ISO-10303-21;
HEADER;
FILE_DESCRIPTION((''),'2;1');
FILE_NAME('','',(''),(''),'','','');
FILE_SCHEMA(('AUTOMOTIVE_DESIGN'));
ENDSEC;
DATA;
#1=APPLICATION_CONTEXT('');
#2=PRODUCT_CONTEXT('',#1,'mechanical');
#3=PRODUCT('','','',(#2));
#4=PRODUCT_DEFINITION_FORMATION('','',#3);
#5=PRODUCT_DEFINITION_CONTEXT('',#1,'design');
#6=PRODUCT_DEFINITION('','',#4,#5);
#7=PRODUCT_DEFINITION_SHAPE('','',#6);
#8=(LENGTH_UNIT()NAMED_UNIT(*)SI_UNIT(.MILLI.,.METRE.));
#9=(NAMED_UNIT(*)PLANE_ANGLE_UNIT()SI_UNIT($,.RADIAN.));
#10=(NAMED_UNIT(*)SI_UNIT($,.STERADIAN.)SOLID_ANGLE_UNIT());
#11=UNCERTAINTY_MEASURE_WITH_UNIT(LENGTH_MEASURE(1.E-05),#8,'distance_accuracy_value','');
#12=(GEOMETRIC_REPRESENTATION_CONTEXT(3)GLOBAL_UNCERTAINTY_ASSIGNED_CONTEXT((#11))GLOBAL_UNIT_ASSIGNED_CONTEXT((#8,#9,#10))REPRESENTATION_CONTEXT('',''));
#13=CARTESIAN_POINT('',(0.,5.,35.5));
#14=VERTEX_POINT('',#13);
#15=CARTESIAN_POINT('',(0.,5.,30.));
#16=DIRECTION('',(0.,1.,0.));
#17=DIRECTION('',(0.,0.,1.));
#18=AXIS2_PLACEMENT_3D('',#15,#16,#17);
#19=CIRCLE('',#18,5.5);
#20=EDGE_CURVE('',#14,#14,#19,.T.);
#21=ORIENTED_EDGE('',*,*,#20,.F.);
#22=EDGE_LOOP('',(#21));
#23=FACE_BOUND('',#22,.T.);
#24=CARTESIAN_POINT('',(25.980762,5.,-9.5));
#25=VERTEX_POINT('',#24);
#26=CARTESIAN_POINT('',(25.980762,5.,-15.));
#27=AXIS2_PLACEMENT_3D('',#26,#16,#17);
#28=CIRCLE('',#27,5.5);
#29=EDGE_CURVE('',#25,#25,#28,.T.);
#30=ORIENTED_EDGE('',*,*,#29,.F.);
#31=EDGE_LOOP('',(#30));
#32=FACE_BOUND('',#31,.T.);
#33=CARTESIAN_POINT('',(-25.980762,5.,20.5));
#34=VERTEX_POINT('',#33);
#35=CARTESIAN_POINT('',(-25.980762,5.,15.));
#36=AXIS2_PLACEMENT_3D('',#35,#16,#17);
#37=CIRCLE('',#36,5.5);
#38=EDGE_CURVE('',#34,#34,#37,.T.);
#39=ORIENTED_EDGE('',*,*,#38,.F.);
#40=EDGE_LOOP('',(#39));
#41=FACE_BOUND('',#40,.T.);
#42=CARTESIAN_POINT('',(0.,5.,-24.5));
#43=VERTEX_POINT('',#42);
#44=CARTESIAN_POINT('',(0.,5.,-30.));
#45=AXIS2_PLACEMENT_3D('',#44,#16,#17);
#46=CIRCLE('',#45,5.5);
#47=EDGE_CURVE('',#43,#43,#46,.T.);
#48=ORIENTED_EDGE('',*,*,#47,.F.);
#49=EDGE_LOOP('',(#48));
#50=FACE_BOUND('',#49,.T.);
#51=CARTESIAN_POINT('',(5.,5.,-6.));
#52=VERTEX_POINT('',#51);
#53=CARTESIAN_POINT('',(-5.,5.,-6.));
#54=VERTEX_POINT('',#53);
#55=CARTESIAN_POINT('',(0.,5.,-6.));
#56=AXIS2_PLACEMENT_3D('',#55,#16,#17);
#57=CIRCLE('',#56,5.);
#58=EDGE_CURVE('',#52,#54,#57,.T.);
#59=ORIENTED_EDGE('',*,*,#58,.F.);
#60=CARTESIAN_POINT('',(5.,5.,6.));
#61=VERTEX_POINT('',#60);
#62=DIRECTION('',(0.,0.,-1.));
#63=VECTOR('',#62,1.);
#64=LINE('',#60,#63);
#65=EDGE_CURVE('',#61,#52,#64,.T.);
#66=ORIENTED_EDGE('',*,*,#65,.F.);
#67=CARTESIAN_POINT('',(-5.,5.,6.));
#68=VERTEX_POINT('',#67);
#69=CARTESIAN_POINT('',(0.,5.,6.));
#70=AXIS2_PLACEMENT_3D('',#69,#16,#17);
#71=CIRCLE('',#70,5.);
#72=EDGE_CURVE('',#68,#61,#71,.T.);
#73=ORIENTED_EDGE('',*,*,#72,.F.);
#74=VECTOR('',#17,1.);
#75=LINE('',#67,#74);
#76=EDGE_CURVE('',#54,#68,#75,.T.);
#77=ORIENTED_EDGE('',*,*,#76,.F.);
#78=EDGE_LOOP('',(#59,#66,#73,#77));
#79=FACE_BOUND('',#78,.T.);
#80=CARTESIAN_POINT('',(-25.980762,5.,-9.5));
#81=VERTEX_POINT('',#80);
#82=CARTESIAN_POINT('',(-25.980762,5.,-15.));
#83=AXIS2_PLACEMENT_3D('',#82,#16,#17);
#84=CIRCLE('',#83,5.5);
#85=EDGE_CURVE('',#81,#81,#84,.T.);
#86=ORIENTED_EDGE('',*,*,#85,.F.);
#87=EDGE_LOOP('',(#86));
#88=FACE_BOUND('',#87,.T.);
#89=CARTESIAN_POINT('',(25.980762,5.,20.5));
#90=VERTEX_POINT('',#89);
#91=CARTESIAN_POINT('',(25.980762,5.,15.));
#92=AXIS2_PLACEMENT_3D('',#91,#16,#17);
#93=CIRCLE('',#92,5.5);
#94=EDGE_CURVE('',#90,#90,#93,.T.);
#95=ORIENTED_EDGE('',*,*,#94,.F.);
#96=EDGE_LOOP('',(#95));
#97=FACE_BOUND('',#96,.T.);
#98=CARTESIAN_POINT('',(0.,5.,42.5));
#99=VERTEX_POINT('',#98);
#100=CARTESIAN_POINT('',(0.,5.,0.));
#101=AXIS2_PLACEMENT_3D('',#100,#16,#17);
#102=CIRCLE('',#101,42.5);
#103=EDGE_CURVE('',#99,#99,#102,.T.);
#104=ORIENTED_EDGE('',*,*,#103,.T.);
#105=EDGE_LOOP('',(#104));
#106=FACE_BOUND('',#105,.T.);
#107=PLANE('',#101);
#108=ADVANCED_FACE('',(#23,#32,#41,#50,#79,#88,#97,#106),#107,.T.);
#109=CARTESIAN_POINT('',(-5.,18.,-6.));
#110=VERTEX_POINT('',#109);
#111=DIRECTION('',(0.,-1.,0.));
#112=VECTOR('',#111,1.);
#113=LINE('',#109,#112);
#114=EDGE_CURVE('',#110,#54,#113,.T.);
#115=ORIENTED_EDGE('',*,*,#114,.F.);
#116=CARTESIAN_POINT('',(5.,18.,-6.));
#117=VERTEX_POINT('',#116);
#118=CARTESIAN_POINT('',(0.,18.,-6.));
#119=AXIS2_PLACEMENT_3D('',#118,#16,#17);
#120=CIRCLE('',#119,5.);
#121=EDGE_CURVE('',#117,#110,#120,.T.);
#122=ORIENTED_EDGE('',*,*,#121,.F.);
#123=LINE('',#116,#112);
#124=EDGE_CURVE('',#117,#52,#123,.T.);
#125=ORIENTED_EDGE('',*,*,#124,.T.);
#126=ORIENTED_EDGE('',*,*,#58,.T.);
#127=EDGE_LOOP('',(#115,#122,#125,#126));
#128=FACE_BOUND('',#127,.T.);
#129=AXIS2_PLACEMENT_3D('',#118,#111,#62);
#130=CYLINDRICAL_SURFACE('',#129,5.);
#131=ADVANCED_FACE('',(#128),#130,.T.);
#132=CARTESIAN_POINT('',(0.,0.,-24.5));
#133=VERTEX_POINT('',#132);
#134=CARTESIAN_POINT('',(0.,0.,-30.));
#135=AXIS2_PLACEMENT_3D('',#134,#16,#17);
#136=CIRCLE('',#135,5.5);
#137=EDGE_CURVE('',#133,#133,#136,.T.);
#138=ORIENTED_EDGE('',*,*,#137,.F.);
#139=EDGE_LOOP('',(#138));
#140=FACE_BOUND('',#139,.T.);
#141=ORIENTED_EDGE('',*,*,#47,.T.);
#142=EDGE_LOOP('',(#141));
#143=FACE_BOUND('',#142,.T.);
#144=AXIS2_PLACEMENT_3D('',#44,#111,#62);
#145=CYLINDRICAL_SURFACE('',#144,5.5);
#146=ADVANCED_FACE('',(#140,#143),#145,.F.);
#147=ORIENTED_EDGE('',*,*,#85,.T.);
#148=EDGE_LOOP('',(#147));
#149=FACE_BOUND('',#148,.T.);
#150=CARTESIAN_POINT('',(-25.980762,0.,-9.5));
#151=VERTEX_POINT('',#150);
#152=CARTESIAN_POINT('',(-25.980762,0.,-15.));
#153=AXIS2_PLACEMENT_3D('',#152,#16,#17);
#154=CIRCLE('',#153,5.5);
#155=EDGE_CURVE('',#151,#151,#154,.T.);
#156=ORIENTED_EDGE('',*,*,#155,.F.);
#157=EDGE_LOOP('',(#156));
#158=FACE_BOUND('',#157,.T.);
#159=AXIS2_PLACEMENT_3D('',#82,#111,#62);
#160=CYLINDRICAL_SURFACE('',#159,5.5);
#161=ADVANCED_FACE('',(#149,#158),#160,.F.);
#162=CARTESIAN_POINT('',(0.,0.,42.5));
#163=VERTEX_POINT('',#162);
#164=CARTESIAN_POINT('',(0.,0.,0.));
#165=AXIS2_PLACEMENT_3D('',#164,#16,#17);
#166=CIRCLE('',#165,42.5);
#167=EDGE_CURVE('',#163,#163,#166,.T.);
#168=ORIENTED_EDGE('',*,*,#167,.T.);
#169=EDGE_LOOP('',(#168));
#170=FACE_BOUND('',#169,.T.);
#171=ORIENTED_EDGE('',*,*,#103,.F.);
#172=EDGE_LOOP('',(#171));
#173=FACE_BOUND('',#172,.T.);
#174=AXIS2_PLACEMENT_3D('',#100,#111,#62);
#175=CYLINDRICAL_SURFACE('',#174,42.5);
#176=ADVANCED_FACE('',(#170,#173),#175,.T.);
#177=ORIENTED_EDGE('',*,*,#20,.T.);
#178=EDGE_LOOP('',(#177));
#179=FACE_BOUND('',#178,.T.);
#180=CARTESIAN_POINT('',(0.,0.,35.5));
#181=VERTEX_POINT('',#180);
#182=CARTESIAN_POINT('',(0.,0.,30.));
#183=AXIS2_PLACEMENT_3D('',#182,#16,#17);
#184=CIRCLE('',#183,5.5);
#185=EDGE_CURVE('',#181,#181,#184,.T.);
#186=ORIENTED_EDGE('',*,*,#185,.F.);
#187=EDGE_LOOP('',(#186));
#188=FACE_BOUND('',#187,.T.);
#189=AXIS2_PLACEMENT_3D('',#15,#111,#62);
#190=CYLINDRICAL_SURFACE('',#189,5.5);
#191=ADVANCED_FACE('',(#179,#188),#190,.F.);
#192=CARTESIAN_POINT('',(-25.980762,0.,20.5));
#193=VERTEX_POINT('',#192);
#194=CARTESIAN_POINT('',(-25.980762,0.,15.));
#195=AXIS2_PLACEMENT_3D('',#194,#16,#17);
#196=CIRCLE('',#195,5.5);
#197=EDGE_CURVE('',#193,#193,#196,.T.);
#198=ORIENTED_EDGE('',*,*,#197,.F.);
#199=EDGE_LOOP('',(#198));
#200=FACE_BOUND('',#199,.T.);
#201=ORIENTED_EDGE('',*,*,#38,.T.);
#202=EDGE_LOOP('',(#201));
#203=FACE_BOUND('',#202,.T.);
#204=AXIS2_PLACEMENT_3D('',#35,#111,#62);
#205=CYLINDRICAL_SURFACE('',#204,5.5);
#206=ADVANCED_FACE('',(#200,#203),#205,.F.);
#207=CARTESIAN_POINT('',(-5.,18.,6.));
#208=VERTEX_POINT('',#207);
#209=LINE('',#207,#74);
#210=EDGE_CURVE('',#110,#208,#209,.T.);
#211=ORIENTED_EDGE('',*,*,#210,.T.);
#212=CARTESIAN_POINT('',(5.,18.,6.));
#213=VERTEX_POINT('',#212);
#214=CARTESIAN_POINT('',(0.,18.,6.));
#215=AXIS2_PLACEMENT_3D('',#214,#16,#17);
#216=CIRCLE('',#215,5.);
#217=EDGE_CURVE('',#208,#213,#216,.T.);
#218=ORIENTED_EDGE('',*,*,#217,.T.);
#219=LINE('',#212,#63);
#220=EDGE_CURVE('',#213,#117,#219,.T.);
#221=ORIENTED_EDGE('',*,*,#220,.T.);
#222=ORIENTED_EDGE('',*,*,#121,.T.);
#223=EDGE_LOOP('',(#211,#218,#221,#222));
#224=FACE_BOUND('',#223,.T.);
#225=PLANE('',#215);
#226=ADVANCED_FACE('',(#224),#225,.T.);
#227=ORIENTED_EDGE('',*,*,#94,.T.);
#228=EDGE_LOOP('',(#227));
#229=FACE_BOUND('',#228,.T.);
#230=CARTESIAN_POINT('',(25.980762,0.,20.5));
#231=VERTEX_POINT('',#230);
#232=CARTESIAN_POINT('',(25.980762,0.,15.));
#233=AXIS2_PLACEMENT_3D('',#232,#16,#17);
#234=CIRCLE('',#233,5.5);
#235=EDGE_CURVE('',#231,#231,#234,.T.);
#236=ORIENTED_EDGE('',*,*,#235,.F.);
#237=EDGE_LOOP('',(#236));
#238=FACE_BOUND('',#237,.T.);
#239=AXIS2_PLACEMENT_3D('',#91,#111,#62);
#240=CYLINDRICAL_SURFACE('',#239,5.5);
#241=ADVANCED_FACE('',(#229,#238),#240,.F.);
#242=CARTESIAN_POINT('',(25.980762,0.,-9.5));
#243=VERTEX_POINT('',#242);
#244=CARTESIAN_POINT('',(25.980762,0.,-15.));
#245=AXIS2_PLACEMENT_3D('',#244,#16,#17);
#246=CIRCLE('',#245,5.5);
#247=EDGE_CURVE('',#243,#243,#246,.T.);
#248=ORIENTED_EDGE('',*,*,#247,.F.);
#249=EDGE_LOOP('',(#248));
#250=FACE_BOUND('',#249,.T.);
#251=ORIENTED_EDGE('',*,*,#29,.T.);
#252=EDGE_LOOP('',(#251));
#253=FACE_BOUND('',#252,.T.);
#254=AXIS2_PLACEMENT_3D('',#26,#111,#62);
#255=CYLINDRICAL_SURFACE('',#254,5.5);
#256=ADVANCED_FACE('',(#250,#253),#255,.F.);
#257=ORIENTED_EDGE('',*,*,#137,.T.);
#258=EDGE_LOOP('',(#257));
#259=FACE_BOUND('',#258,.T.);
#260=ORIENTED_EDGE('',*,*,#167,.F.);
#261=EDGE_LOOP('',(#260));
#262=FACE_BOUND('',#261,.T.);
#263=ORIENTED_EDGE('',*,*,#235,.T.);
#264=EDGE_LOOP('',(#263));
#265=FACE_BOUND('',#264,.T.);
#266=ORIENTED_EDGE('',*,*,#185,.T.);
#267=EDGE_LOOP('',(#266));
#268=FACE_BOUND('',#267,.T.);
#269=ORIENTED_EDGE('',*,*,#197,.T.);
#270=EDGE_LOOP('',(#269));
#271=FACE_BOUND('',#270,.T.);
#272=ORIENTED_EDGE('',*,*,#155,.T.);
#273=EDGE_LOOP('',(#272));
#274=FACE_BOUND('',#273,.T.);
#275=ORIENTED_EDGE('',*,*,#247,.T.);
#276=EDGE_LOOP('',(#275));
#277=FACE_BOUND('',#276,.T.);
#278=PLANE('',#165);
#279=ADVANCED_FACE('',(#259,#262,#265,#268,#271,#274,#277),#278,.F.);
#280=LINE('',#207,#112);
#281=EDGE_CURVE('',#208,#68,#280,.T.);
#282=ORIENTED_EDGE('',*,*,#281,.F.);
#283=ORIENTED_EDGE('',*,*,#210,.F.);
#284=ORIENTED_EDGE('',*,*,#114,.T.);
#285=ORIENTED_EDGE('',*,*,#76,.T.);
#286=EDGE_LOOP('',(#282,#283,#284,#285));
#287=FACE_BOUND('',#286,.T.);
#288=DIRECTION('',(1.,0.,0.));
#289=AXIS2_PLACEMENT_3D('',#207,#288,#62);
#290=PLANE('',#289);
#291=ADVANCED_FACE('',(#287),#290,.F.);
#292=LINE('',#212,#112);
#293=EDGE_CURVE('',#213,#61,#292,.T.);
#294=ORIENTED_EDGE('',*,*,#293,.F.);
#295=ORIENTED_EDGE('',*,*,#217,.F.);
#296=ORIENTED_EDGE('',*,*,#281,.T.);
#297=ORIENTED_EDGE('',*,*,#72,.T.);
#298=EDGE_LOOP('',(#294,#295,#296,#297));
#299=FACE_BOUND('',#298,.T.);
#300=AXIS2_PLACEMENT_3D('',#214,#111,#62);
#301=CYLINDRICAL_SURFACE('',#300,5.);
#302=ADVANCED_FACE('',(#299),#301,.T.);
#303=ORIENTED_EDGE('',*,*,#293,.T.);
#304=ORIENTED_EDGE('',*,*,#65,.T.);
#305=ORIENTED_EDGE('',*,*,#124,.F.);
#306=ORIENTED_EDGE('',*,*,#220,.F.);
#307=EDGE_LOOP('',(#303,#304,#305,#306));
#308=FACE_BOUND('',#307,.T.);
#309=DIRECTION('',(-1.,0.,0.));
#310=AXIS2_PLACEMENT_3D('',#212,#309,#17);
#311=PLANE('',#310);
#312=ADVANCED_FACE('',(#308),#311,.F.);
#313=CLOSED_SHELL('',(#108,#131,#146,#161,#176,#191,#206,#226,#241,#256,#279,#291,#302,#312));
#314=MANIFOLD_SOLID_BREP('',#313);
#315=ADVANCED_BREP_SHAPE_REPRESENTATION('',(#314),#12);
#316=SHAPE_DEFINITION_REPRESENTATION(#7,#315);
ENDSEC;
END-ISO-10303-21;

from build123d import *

# Parameters (mm, degrees)
SKETCH1_R           = 42.5
SKETCH1_R_2         = 5.5
BOSS_EXTRUDE2_DEPTH = 5
BOSS_EXTRUDE3_DEPTH = 13


with BuildPart() as part:
    # Sketch1 → Boss-Extrude2 (new body)
    with BuildSketch(Plane(origin=(0, 0, 0), x_dir=(1, 0, 0), z_dir=(0, 1, 0))):
        with Locations(Location((0, 0, 0), (0, 0, 270))):
            Circle(SKETCH1_R)
        with Locations(Location((-25.980762114, 15, 0), (0, 0, 270))):
            Circle(SKETCH1_R_2, mode=Mode.SUBTRACT)
        with Locations(Location((0, 30, 0), (0, 0, 270))):
            Circle(SKETCH1_R_2, mode=Mode.SUBTRACT)
        with Locations(Location((25.980762114, 15, 0), (0, 0, 270))):
            Circle(SKETCH1_R_2, mode=Mode.SUBTRACT)
        with Locations(Location((25.980762114, -15, 0), (0, 0, 270))):
            Circle(SKETCH1_R_2, mode=Mode.SUBTRACT)
        with Locations(Location((0, -30, 0), (0, 0, 270))):
            Circle(SKETCH1_R_2, mode=Mode.SUBTRACT)
        with Locations(Location((-25.980762114, -15, 0), (0, 0, 270))):
            Circle(SKETCH1_R_2, mode=Mode.SUBTRACT)
    extrude(amount=BOSS_EXTRUDE2_DEPTH)

    # Sketch2 → Boss-Extrude3 (add)
    with BuildSketch(Plane(origin=(0, 5, 0), x_dir=(1, 0, 0), z_dir=(0, 1, 0))):
        with BuildLine():
            Line((-5, -6), (-5, 6))
            ThreePointArc((-5, 6), (0, 11), (5, 6))
            Line((5, 6), (5, -6))
            ThreePointArc((5, -6), (0, -11), (-5, -6))
        make_face()
    extrude(amount=BOSS_EXTRUDE3_DEPTH)


solid = part.part
